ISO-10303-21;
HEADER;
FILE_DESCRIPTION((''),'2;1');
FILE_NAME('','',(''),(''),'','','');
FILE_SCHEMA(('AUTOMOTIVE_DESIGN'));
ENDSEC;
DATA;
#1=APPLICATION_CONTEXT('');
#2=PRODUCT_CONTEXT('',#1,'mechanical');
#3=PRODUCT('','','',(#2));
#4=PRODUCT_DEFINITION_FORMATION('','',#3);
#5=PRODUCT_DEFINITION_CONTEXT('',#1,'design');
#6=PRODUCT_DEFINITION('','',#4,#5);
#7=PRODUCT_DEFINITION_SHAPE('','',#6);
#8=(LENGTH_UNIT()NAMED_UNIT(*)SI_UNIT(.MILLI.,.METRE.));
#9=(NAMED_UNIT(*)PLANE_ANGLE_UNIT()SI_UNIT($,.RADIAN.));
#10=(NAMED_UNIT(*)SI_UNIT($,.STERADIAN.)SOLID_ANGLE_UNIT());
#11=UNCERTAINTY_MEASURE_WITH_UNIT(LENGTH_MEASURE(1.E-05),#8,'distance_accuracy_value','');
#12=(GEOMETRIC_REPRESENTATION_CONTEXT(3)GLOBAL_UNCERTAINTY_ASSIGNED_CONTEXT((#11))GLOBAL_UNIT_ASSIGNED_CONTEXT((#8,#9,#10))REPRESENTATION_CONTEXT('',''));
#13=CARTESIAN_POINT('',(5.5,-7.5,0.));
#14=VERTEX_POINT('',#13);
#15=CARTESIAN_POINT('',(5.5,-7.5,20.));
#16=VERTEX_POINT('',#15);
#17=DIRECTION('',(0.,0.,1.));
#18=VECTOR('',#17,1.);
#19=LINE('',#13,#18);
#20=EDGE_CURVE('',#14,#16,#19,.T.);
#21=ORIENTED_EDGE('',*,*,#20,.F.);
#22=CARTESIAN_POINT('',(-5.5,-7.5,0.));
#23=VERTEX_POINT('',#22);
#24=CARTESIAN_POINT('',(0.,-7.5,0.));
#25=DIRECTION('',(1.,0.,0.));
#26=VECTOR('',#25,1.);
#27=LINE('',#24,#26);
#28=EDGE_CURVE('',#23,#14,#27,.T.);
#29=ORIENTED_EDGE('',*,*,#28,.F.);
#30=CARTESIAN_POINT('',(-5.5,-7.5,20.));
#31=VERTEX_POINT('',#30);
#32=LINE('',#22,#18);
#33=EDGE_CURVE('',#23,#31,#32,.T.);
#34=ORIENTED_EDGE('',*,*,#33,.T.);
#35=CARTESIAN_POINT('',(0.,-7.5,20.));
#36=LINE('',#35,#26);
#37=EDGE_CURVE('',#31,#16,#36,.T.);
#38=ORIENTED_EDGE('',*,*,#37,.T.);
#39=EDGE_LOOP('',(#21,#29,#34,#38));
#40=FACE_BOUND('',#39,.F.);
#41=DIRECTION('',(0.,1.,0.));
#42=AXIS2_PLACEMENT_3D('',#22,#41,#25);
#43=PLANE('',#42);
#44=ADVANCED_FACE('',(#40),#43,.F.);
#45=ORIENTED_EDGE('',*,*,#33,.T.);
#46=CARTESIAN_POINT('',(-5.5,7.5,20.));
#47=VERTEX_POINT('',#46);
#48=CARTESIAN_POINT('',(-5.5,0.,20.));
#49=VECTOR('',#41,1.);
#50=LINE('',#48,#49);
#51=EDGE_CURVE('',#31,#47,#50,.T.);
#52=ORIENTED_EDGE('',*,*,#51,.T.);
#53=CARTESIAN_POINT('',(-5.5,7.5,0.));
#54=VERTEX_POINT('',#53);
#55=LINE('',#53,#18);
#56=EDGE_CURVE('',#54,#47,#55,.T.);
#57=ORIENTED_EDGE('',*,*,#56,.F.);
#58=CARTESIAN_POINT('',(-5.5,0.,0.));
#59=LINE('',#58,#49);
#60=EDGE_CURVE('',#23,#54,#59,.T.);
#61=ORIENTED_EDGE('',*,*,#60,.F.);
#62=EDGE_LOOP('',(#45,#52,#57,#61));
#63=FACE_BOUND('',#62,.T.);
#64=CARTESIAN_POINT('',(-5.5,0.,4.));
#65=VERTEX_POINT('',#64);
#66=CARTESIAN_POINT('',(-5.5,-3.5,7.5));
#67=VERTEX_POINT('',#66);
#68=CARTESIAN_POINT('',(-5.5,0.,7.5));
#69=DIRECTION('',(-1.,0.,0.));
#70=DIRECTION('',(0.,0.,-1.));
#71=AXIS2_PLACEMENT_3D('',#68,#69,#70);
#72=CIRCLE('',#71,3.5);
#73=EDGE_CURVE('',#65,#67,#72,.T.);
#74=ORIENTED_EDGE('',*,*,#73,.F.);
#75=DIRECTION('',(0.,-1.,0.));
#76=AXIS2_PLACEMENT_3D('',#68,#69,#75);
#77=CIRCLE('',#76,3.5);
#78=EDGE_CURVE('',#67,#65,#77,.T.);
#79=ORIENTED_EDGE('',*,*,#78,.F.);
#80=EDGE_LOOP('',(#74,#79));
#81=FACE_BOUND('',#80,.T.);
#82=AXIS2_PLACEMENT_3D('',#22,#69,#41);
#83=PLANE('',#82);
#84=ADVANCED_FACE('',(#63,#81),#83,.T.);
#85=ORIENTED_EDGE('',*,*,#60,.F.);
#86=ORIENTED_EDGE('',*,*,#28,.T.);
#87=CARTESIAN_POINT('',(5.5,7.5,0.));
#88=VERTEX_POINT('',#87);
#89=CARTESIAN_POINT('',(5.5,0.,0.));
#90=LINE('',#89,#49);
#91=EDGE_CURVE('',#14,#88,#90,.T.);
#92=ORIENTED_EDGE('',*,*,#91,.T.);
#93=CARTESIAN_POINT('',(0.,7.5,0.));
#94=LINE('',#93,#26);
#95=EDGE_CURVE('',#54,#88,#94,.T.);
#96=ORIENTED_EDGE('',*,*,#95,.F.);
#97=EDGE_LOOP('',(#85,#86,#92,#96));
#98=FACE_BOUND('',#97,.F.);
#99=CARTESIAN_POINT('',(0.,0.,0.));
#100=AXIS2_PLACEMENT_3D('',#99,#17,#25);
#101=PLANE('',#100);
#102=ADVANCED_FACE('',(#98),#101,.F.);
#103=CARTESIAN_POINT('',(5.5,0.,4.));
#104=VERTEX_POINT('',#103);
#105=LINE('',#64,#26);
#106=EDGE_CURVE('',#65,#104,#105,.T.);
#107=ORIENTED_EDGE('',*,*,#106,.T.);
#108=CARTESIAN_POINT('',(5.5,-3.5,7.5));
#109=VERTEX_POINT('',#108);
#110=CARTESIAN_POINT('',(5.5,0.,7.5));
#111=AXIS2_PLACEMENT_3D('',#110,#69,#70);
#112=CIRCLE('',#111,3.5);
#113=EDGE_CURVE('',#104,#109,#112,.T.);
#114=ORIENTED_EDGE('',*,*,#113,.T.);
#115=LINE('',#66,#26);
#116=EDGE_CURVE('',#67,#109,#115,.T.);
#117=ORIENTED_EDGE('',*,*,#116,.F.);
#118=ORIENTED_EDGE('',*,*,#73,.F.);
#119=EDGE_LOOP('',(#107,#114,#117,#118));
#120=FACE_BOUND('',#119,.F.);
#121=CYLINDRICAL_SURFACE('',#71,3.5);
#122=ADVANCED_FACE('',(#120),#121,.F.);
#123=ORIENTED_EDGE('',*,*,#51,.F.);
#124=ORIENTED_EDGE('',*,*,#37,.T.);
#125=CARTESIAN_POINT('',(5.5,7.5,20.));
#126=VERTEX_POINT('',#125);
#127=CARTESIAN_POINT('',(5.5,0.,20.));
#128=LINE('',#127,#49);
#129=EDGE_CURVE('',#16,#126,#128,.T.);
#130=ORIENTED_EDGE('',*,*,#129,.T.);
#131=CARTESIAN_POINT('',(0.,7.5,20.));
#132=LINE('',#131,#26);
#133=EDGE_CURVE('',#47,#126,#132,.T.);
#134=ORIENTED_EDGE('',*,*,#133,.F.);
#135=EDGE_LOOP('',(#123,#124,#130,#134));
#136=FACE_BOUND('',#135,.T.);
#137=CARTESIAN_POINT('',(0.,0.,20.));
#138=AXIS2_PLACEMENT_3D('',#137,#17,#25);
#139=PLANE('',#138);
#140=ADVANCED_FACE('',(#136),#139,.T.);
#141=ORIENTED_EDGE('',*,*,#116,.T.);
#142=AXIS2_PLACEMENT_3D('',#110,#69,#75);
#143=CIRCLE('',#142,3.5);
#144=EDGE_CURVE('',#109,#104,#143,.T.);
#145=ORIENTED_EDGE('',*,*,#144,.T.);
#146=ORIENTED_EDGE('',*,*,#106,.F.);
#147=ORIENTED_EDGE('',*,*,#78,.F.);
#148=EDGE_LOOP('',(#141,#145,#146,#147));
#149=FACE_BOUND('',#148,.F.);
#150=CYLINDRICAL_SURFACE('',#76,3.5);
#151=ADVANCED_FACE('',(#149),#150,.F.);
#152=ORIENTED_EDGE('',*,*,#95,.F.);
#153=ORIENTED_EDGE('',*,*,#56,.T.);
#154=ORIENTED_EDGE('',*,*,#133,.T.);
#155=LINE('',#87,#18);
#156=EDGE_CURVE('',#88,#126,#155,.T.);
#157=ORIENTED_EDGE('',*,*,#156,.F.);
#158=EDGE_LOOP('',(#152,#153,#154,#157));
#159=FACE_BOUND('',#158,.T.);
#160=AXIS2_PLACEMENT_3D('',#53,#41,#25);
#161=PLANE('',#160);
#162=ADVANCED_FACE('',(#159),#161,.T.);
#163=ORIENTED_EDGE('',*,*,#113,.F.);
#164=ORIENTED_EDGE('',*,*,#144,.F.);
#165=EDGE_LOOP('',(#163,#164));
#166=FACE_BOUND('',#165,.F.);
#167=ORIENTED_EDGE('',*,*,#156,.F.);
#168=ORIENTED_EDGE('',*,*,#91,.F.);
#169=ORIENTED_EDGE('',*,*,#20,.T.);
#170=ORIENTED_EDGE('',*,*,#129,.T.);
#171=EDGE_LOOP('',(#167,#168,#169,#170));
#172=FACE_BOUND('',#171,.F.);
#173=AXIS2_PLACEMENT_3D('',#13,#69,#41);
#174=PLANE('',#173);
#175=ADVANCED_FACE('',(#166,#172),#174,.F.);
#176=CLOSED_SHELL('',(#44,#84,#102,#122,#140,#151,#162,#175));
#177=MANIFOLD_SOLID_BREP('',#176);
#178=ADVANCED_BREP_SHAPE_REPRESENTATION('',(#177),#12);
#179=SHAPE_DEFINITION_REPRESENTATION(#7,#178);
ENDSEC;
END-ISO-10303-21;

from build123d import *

# Parameters (mm, degrees)
F0_W     = 11
F0_H     = 15
F2_DEPTH = 20
F3_DEPTH = 19
F6_DEPTH = 15


with BuildPart() as f2:
    # F0 (on Top) → F2 (new body)
    with BuildSketch(Plane.XY):
        Rectangle(F0_W, F0_H)
    extrude(amount=F2_DEPTH)


with BuildPart() as f3:
    # F1 (on Top) → F3 (new body)
    with BuildSketch(Plane.XY):
        with BuildLine():
            ThreePointArc((9.9780160072, 0.6627190658), (-8.9648731573, -4.4306939945), (6.5869096361, 7.5241359269))
            Line((6.5869096361, 7.5241359269), (7.9042915633, 9.0289631123))
            ThreePointArc((7.9042915633, 9.0289631123), (-10.7578477888, -5.3168327934), (11.9736192086, 0.7952628789))
            Line((11.9736192086, 0.7952628789), (9.9780160072, 0.6627190658))
        make_face()
    extrude(amount=F3_DEPTH)


with BuildPart() as f6_tool:
    # F5 (on offset) → F6 (new body)
    with BuildSketch(Plane(origin=(-5.5, 0, 0), x_dir=(0, -1, 0), z_dir=(-1, 0, 0))):
        with BuildLine():
            ThreePointArc((0, 4), (2.4748737342, 5.0251262658), (3.5, 7.5))
            ThreePointArc((3.5, 7.5), (-2.4748737342, 9.9748737342), (0, 4))
        make_face()
    extrude(amount=-F6_DEPTH)


with BuildPart() as f2_1:
    add(f2.part)

    # F6: cut by f6_tool
    add(f6_tool.part, mode=Mode.SUBTRACT)


with BuildPart() as f3_1:
    add(f3.part)

    # F6: cut by f6_tool
    add(f6_tool.part, mode=Mode.SUBTRACT)


solid = f2_1.part
